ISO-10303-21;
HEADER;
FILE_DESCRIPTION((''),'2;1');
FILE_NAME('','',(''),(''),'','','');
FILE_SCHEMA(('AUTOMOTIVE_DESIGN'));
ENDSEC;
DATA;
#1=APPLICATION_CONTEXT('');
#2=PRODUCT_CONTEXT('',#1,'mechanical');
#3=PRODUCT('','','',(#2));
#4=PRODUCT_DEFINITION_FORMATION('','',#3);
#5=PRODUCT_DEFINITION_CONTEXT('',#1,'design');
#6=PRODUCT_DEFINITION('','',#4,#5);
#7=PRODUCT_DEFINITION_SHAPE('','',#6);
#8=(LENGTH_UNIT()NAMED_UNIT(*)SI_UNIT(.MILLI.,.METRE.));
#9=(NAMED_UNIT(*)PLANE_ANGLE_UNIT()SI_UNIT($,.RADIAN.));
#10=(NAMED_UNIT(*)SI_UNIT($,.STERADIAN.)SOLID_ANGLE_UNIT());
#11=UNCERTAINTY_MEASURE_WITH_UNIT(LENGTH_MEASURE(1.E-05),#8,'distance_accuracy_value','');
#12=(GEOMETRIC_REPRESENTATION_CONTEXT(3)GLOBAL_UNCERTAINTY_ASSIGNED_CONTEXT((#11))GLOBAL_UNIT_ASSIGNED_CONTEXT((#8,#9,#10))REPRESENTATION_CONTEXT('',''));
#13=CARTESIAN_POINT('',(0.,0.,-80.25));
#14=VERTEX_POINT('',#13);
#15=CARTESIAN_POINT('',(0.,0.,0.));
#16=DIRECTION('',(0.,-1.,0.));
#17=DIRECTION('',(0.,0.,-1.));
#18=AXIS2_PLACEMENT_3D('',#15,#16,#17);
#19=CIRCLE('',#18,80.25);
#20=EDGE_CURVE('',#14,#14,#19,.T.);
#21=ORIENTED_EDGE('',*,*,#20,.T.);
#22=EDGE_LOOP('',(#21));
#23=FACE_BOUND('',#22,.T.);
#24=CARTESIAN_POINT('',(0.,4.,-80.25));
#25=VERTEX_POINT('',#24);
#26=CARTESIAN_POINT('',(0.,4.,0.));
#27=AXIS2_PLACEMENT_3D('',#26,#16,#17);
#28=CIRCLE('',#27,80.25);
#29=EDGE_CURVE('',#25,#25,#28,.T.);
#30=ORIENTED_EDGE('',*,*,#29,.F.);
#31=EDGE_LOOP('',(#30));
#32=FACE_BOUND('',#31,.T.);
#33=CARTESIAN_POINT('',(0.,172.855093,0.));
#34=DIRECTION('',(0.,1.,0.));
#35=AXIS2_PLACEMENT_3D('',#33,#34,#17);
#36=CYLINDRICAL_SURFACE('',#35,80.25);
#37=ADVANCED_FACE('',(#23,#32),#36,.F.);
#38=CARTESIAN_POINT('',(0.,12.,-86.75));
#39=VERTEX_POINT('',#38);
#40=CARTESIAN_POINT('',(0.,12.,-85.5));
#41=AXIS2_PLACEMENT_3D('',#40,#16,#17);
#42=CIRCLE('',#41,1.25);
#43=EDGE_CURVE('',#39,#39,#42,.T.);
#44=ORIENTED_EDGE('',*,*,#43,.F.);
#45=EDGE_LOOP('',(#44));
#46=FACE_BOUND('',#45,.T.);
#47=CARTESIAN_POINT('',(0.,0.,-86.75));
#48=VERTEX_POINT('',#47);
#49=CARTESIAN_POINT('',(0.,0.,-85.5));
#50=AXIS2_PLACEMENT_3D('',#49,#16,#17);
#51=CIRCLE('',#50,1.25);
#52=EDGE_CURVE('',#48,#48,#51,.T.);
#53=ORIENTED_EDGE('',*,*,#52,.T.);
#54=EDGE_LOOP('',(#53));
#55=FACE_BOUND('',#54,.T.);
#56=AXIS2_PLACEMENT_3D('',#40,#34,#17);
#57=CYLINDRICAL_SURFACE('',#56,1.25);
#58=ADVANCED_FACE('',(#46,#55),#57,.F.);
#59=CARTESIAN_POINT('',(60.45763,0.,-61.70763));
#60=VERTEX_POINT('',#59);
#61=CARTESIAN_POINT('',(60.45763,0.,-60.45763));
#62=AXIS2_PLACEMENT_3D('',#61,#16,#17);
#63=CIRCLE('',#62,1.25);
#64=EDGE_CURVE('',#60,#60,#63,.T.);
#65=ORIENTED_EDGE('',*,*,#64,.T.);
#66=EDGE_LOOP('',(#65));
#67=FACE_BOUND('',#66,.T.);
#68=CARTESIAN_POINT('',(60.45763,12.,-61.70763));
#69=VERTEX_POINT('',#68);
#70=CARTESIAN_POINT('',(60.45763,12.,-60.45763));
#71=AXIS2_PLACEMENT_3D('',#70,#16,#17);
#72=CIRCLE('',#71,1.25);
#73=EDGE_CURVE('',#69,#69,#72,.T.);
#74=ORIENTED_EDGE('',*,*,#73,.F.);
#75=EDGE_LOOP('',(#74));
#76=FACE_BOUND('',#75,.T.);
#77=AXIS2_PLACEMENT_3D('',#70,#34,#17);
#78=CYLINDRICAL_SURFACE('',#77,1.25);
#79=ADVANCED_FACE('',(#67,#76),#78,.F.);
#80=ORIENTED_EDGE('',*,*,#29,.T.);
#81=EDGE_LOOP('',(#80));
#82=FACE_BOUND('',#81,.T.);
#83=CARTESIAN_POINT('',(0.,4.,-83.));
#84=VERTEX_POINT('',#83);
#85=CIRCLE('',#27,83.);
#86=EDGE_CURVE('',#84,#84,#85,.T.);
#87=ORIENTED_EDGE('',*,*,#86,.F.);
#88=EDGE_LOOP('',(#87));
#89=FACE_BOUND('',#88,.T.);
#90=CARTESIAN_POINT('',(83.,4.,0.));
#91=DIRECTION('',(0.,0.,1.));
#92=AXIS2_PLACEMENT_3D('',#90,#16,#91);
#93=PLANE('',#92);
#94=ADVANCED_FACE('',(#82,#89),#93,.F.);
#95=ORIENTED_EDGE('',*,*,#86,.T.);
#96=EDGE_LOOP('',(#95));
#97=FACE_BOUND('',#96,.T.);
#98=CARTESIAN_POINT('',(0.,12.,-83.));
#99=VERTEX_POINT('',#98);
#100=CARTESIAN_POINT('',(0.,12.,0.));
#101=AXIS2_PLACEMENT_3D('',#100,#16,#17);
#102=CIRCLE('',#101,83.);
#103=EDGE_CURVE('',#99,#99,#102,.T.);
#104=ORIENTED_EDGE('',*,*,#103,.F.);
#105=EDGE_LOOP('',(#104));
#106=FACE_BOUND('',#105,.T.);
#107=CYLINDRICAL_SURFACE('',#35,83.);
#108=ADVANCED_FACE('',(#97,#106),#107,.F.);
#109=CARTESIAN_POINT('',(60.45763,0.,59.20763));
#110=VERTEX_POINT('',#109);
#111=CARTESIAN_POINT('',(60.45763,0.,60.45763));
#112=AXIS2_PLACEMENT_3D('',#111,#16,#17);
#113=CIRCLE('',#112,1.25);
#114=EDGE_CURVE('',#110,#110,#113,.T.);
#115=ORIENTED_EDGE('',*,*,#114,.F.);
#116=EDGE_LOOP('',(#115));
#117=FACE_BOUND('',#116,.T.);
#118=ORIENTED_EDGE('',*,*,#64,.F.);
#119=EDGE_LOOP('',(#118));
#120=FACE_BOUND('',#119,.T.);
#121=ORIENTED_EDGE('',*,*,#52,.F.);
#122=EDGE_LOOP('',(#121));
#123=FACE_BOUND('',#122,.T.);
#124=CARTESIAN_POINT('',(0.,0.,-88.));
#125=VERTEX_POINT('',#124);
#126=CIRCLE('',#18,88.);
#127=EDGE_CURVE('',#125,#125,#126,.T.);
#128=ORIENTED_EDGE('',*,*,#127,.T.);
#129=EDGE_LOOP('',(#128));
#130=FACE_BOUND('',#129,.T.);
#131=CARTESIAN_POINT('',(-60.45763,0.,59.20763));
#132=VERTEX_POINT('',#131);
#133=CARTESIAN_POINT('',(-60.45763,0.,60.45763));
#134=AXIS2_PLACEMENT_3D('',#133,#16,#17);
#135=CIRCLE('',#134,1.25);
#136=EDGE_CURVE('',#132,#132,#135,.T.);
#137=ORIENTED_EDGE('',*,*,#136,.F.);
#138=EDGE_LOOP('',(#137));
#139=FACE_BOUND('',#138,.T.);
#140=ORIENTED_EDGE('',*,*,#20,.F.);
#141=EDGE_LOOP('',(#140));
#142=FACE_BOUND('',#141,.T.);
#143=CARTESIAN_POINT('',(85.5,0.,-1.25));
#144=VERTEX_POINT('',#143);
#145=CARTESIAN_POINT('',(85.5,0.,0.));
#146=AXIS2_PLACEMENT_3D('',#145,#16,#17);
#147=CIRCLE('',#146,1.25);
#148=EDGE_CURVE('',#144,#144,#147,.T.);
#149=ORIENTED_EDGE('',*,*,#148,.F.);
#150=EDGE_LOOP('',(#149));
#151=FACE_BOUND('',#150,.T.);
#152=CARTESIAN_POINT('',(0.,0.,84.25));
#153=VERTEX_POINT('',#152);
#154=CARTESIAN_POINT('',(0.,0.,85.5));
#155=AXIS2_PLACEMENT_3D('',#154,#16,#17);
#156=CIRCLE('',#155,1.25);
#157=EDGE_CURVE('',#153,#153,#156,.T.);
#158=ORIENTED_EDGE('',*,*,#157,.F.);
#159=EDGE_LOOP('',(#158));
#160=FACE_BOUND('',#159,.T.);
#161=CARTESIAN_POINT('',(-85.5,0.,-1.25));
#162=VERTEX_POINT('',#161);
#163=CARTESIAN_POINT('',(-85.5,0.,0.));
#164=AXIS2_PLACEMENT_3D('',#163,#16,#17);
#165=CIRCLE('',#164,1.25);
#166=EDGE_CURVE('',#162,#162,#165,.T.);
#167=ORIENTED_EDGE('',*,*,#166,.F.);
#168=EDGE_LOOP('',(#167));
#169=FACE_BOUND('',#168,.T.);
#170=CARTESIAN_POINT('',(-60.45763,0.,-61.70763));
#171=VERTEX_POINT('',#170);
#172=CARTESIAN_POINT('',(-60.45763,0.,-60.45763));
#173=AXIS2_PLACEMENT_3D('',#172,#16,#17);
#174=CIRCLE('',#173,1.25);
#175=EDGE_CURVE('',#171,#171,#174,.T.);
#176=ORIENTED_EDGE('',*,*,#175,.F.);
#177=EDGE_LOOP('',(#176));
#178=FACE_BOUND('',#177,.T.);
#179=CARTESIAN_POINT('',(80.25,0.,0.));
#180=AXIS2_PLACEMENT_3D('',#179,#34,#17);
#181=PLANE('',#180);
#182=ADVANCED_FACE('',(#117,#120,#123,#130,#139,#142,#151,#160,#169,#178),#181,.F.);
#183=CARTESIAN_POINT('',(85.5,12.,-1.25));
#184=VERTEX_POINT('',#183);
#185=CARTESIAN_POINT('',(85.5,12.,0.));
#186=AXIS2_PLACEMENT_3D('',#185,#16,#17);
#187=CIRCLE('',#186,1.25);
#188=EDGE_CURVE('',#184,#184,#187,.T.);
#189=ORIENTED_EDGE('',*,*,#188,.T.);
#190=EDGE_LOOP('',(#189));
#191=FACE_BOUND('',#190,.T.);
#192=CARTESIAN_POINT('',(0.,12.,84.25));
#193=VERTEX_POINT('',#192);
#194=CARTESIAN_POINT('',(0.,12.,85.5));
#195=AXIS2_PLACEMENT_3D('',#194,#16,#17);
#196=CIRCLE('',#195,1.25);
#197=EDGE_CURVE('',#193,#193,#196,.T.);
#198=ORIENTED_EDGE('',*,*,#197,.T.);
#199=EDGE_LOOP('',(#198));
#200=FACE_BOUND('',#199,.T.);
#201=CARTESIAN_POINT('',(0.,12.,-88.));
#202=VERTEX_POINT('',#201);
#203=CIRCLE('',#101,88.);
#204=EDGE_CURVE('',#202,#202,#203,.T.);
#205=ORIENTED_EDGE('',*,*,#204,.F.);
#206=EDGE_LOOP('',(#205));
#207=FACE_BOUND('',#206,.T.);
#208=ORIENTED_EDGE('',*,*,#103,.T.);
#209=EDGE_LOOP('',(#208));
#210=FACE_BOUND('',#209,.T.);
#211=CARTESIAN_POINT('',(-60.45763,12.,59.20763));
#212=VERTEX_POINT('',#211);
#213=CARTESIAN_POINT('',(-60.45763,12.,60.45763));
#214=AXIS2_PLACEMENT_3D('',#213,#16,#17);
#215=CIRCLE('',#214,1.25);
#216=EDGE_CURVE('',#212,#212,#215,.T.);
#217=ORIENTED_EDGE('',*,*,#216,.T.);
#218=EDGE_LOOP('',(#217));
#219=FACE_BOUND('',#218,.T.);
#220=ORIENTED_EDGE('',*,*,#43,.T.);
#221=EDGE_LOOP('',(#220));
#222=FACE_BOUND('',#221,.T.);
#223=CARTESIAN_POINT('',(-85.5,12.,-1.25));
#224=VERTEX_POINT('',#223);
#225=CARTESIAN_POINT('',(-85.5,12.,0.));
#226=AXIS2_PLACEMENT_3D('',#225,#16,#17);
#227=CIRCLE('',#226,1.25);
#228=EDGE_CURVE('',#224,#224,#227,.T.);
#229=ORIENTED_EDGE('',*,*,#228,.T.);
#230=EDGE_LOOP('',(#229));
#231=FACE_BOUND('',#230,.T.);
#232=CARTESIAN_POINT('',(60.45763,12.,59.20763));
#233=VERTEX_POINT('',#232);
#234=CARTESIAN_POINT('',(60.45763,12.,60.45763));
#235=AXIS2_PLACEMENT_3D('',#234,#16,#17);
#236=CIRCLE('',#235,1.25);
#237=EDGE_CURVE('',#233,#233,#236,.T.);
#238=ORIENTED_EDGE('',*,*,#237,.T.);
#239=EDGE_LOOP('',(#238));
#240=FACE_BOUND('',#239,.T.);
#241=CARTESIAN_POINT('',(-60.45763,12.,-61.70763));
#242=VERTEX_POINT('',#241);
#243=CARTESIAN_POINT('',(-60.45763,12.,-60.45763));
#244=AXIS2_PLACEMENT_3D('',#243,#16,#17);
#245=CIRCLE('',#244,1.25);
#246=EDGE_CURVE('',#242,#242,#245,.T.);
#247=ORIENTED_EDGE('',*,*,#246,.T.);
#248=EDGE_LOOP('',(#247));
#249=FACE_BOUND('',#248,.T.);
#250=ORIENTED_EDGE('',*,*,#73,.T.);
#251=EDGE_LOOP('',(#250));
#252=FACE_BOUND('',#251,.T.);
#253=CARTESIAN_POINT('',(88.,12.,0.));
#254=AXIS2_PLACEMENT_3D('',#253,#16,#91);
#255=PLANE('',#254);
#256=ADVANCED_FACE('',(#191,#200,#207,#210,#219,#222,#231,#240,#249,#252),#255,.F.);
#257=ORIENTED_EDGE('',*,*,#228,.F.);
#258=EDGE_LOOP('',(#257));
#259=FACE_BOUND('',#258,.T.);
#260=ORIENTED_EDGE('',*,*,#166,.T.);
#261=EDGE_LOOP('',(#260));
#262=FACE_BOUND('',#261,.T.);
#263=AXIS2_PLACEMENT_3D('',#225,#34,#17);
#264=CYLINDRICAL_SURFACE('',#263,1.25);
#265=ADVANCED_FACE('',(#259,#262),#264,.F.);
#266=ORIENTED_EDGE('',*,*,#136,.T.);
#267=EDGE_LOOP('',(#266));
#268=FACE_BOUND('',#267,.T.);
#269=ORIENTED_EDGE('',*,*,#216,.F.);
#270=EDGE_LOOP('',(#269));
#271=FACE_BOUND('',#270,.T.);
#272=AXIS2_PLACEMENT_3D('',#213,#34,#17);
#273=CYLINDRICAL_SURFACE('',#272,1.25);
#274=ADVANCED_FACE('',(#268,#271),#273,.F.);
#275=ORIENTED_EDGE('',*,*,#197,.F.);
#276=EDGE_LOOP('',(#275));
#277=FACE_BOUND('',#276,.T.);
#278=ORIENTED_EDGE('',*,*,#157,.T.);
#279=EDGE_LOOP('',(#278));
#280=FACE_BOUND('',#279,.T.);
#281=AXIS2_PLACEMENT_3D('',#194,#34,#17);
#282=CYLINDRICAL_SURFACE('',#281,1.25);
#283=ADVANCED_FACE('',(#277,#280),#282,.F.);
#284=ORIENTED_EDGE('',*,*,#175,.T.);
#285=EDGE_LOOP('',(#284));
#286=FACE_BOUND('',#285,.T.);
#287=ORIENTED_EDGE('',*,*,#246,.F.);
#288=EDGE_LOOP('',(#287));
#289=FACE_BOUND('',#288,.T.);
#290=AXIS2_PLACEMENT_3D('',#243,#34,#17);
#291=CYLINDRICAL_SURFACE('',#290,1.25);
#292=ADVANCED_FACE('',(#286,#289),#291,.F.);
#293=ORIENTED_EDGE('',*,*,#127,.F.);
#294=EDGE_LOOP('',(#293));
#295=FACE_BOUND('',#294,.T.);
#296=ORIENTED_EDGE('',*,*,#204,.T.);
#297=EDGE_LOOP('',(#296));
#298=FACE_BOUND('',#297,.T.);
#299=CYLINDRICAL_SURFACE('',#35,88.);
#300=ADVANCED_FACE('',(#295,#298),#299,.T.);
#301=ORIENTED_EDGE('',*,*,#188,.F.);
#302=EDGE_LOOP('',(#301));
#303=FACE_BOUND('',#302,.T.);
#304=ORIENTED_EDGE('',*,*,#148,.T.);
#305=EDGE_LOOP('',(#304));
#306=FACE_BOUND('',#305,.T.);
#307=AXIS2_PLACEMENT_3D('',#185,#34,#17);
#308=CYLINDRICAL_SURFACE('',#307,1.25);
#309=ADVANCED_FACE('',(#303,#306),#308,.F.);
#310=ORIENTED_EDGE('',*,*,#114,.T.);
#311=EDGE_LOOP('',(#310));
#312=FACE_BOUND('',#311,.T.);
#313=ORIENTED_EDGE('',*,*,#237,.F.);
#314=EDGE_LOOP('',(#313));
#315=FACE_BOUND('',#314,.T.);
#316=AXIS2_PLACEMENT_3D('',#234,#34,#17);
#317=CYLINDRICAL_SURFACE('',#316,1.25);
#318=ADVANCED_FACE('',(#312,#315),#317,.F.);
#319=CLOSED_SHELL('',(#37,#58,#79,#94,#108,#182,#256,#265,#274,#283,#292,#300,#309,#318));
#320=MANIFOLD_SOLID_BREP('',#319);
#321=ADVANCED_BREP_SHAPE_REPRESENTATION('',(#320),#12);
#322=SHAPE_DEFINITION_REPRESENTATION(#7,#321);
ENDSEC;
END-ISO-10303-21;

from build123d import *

# Parameters (mm, degrees)
HOLE_WIZARD_M3_1_D = 2.5


with BuildPart() as part:
    # 草图1 → 旋转1 (revolve)
    with BuildSketch(Plane.XY, mode=Mode.PRIVATE) as revolve_1_sk:
        Polygon((80.25, 0), (88, 0), (88, 12), (83, 12), (83, 4), (80.25, 4), align=None)
    revolve(revolve_1_sk.sketch.rotate(Axis((0, 172.855093204, 0), (0, -1, 0)), 90), axis=Axis((0, 172.855093204, 0), (0, -1, 0)))

    # M3 螺纹孔1 (through all)
    with Locations(Plane(origin=(0, 12, 0), x_dir=(1, 0, 0), z_dir=(0, 1, 0))):
        with Locations((-60.457629791, 60.457629791), (-85.5, 0), (0, 85.5), (60.457629791, 60.457629791), (85.5, 0), (60.457629791, -60.457629791), (0, -85.5), (-60.457629791, -60.457629791)):
            Hole(HOLE_WIZARD_M3_1_D / 2)


solid = part.part
